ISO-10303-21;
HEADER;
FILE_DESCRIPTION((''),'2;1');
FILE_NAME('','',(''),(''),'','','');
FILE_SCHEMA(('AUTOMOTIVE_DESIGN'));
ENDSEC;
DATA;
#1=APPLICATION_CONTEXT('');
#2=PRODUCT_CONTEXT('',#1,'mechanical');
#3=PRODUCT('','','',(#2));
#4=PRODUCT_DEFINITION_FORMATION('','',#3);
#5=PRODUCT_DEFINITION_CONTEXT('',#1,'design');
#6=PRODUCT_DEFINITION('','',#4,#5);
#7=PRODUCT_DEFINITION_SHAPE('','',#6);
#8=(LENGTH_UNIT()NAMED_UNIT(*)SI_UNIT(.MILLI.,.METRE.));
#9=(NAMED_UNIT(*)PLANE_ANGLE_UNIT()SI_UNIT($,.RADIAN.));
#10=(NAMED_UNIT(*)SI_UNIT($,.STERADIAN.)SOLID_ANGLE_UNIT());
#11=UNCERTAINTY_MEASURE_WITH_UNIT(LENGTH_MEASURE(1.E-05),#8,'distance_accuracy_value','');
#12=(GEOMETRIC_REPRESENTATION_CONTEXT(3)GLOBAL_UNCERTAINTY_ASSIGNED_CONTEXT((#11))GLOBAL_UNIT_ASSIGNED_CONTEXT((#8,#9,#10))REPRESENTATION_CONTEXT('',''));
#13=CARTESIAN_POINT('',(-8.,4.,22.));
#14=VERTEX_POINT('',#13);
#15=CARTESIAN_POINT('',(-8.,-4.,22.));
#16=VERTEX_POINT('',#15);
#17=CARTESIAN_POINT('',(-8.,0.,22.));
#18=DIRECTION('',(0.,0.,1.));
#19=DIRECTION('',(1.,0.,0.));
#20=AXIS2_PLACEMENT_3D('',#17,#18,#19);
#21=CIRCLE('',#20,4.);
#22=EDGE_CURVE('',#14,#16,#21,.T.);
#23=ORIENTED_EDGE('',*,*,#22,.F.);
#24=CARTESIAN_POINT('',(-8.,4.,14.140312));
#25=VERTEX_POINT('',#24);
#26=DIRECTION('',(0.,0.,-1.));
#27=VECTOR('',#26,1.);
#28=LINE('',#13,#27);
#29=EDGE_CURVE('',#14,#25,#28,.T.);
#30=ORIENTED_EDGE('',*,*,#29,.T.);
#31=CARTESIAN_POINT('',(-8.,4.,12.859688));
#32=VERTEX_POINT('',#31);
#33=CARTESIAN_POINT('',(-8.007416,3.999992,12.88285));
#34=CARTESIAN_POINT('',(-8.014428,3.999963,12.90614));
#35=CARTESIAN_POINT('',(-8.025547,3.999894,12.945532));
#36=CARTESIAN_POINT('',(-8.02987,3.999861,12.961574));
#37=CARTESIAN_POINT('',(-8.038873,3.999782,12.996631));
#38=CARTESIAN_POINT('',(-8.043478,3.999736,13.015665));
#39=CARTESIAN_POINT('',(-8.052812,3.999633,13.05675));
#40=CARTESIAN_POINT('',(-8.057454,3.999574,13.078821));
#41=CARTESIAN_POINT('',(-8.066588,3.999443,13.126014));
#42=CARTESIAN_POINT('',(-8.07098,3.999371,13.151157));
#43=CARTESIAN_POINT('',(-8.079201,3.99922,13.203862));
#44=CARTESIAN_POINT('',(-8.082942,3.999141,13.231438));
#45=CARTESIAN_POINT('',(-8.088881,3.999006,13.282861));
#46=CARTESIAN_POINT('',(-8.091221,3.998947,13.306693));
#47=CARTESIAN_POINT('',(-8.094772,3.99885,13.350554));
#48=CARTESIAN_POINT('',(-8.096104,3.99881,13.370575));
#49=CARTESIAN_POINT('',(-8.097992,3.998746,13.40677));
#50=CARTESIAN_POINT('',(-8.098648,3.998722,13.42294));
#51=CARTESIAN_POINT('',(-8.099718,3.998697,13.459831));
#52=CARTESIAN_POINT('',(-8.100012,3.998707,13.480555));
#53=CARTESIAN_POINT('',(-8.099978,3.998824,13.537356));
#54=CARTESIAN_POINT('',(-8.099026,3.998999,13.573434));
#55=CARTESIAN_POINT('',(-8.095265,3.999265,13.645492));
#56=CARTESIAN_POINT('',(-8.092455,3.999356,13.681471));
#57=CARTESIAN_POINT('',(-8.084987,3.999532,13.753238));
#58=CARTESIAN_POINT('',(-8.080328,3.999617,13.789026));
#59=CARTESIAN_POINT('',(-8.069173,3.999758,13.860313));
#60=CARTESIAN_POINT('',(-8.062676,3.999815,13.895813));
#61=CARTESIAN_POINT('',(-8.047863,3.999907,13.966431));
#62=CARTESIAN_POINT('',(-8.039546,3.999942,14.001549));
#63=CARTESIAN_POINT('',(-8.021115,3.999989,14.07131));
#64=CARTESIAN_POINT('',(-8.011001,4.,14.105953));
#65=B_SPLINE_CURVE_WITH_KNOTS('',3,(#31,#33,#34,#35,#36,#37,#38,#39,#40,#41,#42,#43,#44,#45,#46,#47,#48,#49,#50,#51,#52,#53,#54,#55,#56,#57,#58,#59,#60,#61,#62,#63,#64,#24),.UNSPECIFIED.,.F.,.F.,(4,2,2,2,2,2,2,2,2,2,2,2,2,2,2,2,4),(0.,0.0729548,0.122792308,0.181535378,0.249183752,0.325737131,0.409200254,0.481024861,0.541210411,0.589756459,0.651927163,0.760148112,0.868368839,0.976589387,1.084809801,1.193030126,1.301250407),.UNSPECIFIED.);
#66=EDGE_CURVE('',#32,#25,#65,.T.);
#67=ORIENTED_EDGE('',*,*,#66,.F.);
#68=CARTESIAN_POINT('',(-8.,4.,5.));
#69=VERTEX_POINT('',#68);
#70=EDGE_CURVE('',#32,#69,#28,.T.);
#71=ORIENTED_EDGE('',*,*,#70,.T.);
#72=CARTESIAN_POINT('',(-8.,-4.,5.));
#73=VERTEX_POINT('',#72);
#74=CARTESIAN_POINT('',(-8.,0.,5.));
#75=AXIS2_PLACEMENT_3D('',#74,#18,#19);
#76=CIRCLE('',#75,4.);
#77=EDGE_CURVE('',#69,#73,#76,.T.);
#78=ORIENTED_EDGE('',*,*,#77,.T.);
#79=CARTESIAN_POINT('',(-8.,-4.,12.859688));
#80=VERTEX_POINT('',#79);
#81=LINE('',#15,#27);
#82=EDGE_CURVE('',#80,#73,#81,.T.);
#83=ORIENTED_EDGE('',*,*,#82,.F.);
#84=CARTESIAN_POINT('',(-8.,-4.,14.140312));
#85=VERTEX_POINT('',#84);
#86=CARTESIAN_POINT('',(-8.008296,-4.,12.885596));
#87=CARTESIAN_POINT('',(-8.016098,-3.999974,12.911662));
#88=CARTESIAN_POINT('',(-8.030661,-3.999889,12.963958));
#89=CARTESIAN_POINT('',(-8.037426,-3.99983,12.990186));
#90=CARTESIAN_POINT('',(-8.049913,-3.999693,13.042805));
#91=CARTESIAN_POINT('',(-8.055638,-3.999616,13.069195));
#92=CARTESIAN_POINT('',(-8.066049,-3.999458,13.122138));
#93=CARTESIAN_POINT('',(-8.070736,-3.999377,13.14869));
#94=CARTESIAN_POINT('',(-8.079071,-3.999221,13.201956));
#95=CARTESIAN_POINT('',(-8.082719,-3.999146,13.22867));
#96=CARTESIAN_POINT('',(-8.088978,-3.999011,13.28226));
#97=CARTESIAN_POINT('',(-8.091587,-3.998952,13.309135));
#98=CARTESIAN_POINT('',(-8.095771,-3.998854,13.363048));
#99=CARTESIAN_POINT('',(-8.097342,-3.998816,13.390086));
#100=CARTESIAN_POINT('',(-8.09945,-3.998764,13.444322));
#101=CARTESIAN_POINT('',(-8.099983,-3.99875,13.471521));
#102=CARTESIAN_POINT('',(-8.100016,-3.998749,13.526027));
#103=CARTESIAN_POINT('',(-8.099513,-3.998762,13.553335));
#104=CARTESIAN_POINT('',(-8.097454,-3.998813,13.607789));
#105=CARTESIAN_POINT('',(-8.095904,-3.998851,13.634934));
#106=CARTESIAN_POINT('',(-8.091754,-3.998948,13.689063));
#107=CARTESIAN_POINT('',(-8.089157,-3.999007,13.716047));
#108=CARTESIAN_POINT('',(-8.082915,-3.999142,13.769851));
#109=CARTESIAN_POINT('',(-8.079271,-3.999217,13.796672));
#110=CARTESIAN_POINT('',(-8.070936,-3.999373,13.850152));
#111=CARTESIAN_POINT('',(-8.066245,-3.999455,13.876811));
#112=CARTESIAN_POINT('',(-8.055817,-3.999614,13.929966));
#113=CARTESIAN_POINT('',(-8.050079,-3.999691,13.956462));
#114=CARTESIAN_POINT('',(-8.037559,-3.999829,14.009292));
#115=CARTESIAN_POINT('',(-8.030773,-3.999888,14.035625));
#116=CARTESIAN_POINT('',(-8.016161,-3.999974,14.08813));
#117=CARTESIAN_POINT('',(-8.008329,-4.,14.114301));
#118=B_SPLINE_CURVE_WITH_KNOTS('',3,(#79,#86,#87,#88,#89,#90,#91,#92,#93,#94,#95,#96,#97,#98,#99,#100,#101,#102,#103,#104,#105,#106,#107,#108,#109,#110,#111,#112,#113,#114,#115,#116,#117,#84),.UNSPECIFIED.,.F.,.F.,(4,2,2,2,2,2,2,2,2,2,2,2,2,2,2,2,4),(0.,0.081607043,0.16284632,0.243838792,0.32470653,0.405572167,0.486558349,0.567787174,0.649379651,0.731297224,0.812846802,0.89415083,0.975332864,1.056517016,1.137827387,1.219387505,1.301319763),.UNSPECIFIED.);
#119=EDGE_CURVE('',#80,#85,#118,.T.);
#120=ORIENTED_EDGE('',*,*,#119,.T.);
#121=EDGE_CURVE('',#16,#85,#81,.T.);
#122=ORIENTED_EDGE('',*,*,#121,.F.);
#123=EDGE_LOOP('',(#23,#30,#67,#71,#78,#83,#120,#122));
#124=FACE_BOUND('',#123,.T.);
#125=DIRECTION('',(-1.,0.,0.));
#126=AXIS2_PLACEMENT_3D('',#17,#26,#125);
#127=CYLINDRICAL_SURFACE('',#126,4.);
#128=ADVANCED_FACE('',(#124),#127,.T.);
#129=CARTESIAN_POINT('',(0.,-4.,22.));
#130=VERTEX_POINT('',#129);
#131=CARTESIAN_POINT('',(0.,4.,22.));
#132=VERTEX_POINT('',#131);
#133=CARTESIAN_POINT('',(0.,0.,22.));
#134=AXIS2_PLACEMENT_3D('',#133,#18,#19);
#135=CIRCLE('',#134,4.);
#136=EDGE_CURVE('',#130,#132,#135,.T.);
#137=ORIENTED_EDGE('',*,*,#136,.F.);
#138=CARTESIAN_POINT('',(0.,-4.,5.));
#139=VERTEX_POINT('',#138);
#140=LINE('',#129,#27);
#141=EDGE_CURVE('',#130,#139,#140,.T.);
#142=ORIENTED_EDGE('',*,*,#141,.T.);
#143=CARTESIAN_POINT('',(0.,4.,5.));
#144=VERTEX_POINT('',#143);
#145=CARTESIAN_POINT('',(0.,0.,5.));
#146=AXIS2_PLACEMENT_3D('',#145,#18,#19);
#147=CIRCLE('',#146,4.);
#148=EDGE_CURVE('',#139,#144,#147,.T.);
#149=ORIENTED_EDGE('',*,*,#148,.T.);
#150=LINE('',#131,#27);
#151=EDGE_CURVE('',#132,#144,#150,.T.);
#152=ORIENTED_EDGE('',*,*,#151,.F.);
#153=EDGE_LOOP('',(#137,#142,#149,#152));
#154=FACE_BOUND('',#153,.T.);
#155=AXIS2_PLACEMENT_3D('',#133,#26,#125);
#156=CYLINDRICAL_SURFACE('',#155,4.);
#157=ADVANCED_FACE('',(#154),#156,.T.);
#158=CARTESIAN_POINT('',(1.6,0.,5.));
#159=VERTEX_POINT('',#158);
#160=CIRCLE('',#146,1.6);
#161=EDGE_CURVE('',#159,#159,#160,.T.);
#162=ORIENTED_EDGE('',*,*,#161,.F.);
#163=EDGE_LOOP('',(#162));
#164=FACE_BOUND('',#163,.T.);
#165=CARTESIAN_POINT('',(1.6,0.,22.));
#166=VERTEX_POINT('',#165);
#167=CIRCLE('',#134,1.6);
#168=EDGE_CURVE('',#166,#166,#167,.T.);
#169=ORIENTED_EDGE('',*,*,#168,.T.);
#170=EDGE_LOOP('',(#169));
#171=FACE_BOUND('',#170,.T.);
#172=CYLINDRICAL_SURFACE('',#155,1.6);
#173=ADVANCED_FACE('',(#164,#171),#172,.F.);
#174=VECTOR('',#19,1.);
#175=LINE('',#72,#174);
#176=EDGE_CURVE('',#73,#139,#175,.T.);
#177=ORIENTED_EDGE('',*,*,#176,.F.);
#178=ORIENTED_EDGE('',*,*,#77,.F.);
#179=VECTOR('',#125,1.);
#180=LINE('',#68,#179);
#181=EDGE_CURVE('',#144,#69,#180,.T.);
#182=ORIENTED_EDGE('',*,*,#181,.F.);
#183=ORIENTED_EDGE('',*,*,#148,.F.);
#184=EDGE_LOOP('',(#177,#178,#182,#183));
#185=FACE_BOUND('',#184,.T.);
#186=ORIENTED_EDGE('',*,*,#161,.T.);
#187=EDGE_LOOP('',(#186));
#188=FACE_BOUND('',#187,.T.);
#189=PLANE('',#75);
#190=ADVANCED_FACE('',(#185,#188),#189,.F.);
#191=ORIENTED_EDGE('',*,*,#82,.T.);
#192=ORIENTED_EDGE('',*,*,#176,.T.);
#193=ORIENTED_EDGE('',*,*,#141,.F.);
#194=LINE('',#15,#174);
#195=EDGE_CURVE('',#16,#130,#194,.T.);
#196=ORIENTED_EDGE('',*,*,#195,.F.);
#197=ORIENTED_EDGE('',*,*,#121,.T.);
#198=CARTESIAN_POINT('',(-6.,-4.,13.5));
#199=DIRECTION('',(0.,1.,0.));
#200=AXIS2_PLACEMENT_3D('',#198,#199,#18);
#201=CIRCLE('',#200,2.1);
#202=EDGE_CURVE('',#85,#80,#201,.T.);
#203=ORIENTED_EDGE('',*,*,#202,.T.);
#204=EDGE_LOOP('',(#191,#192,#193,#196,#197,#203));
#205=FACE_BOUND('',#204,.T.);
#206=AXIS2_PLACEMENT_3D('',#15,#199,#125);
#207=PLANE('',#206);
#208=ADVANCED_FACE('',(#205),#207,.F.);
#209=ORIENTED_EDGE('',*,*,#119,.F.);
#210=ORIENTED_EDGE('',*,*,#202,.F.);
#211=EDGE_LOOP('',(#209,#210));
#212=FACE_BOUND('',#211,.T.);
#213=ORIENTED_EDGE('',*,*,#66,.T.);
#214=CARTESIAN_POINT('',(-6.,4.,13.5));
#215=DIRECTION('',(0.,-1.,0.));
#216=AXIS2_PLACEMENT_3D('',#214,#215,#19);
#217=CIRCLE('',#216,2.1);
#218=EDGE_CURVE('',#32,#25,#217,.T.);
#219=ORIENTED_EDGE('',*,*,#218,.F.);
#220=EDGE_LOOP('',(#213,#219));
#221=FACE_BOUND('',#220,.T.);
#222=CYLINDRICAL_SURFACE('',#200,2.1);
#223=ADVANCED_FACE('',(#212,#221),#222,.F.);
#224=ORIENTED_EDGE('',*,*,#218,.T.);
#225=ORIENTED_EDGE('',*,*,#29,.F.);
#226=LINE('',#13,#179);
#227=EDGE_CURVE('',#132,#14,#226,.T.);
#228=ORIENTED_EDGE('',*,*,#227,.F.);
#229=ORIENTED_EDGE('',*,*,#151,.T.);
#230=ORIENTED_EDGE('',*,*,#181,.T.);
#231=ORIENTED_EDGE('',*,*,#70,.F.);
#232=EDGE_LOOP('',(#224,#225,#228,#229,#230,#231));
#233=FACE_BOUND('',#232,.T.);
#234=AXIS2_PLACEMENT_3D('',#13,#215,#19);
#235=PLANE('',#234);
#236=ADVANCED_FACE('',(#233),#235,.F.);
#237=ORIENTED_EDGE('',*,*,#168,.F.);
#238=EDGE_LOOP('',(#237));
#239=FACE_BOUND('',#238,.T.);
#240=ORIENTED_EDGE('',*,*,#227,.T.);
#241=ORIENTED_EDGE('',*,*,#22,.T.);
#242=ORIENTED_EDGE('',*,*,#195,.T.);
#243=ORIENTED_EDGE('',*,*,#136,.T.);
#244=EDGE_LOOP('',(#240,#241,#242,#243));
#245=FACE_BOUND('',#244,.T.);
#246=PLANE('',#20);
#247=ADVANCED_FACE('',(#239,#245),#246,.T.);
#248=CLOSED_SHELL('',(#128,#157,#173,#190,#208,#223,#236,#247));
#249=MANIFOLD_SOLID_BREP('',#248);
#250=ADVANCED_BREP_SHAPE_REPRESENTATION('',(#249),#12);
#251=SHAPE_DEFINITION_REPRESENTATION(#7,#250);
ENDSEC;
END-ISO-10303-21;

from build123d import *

# Parameters (mm, degrees)
SKETCH1_R           = 1.6
BOSS_EXTRUDE1_DEPTH = 17
SKETCH2_R           = 2.1
CUT_EXTRUDE1_DEPTH  = 27.305892876


with BuildPart() as part:
    # Sketch1 → Boss-Extrude1 (new body)
    with BuildSketch(Plane.XY.offset(5)):
        with BuildLine():
            Line((-8, -4), (0, -4))
            ThreePointArc((0, -4), (4, 0), (0, 4))
            Line((0, 4), (-8, 4))
            ThreePointArc((-8, 4), (-12, 0), (-8, -4))
        make_face()
        Circle(SKETCH1_R, mode=Mode.SUBTRACT)
    extrude(amount=BOSS_EXTRUDE1_DEPTH)

    # Sketch2 → Cut-Extrude1 (cut, through all)
    with BuildSketch(Plane(origin=(0, 4, 0), x_dir=(1, 0, 0), z_dir=(0, 1, 0))):
        with Locations(Location((-6, -13.5, 0), (0, 0, 197.752790162))):
            Circle(SKETCH2_R)
    extrude(amount=-CUT_EXTRUDE1_DEPTH, mode=Mode.SUBTRACT)


solid = part.part
